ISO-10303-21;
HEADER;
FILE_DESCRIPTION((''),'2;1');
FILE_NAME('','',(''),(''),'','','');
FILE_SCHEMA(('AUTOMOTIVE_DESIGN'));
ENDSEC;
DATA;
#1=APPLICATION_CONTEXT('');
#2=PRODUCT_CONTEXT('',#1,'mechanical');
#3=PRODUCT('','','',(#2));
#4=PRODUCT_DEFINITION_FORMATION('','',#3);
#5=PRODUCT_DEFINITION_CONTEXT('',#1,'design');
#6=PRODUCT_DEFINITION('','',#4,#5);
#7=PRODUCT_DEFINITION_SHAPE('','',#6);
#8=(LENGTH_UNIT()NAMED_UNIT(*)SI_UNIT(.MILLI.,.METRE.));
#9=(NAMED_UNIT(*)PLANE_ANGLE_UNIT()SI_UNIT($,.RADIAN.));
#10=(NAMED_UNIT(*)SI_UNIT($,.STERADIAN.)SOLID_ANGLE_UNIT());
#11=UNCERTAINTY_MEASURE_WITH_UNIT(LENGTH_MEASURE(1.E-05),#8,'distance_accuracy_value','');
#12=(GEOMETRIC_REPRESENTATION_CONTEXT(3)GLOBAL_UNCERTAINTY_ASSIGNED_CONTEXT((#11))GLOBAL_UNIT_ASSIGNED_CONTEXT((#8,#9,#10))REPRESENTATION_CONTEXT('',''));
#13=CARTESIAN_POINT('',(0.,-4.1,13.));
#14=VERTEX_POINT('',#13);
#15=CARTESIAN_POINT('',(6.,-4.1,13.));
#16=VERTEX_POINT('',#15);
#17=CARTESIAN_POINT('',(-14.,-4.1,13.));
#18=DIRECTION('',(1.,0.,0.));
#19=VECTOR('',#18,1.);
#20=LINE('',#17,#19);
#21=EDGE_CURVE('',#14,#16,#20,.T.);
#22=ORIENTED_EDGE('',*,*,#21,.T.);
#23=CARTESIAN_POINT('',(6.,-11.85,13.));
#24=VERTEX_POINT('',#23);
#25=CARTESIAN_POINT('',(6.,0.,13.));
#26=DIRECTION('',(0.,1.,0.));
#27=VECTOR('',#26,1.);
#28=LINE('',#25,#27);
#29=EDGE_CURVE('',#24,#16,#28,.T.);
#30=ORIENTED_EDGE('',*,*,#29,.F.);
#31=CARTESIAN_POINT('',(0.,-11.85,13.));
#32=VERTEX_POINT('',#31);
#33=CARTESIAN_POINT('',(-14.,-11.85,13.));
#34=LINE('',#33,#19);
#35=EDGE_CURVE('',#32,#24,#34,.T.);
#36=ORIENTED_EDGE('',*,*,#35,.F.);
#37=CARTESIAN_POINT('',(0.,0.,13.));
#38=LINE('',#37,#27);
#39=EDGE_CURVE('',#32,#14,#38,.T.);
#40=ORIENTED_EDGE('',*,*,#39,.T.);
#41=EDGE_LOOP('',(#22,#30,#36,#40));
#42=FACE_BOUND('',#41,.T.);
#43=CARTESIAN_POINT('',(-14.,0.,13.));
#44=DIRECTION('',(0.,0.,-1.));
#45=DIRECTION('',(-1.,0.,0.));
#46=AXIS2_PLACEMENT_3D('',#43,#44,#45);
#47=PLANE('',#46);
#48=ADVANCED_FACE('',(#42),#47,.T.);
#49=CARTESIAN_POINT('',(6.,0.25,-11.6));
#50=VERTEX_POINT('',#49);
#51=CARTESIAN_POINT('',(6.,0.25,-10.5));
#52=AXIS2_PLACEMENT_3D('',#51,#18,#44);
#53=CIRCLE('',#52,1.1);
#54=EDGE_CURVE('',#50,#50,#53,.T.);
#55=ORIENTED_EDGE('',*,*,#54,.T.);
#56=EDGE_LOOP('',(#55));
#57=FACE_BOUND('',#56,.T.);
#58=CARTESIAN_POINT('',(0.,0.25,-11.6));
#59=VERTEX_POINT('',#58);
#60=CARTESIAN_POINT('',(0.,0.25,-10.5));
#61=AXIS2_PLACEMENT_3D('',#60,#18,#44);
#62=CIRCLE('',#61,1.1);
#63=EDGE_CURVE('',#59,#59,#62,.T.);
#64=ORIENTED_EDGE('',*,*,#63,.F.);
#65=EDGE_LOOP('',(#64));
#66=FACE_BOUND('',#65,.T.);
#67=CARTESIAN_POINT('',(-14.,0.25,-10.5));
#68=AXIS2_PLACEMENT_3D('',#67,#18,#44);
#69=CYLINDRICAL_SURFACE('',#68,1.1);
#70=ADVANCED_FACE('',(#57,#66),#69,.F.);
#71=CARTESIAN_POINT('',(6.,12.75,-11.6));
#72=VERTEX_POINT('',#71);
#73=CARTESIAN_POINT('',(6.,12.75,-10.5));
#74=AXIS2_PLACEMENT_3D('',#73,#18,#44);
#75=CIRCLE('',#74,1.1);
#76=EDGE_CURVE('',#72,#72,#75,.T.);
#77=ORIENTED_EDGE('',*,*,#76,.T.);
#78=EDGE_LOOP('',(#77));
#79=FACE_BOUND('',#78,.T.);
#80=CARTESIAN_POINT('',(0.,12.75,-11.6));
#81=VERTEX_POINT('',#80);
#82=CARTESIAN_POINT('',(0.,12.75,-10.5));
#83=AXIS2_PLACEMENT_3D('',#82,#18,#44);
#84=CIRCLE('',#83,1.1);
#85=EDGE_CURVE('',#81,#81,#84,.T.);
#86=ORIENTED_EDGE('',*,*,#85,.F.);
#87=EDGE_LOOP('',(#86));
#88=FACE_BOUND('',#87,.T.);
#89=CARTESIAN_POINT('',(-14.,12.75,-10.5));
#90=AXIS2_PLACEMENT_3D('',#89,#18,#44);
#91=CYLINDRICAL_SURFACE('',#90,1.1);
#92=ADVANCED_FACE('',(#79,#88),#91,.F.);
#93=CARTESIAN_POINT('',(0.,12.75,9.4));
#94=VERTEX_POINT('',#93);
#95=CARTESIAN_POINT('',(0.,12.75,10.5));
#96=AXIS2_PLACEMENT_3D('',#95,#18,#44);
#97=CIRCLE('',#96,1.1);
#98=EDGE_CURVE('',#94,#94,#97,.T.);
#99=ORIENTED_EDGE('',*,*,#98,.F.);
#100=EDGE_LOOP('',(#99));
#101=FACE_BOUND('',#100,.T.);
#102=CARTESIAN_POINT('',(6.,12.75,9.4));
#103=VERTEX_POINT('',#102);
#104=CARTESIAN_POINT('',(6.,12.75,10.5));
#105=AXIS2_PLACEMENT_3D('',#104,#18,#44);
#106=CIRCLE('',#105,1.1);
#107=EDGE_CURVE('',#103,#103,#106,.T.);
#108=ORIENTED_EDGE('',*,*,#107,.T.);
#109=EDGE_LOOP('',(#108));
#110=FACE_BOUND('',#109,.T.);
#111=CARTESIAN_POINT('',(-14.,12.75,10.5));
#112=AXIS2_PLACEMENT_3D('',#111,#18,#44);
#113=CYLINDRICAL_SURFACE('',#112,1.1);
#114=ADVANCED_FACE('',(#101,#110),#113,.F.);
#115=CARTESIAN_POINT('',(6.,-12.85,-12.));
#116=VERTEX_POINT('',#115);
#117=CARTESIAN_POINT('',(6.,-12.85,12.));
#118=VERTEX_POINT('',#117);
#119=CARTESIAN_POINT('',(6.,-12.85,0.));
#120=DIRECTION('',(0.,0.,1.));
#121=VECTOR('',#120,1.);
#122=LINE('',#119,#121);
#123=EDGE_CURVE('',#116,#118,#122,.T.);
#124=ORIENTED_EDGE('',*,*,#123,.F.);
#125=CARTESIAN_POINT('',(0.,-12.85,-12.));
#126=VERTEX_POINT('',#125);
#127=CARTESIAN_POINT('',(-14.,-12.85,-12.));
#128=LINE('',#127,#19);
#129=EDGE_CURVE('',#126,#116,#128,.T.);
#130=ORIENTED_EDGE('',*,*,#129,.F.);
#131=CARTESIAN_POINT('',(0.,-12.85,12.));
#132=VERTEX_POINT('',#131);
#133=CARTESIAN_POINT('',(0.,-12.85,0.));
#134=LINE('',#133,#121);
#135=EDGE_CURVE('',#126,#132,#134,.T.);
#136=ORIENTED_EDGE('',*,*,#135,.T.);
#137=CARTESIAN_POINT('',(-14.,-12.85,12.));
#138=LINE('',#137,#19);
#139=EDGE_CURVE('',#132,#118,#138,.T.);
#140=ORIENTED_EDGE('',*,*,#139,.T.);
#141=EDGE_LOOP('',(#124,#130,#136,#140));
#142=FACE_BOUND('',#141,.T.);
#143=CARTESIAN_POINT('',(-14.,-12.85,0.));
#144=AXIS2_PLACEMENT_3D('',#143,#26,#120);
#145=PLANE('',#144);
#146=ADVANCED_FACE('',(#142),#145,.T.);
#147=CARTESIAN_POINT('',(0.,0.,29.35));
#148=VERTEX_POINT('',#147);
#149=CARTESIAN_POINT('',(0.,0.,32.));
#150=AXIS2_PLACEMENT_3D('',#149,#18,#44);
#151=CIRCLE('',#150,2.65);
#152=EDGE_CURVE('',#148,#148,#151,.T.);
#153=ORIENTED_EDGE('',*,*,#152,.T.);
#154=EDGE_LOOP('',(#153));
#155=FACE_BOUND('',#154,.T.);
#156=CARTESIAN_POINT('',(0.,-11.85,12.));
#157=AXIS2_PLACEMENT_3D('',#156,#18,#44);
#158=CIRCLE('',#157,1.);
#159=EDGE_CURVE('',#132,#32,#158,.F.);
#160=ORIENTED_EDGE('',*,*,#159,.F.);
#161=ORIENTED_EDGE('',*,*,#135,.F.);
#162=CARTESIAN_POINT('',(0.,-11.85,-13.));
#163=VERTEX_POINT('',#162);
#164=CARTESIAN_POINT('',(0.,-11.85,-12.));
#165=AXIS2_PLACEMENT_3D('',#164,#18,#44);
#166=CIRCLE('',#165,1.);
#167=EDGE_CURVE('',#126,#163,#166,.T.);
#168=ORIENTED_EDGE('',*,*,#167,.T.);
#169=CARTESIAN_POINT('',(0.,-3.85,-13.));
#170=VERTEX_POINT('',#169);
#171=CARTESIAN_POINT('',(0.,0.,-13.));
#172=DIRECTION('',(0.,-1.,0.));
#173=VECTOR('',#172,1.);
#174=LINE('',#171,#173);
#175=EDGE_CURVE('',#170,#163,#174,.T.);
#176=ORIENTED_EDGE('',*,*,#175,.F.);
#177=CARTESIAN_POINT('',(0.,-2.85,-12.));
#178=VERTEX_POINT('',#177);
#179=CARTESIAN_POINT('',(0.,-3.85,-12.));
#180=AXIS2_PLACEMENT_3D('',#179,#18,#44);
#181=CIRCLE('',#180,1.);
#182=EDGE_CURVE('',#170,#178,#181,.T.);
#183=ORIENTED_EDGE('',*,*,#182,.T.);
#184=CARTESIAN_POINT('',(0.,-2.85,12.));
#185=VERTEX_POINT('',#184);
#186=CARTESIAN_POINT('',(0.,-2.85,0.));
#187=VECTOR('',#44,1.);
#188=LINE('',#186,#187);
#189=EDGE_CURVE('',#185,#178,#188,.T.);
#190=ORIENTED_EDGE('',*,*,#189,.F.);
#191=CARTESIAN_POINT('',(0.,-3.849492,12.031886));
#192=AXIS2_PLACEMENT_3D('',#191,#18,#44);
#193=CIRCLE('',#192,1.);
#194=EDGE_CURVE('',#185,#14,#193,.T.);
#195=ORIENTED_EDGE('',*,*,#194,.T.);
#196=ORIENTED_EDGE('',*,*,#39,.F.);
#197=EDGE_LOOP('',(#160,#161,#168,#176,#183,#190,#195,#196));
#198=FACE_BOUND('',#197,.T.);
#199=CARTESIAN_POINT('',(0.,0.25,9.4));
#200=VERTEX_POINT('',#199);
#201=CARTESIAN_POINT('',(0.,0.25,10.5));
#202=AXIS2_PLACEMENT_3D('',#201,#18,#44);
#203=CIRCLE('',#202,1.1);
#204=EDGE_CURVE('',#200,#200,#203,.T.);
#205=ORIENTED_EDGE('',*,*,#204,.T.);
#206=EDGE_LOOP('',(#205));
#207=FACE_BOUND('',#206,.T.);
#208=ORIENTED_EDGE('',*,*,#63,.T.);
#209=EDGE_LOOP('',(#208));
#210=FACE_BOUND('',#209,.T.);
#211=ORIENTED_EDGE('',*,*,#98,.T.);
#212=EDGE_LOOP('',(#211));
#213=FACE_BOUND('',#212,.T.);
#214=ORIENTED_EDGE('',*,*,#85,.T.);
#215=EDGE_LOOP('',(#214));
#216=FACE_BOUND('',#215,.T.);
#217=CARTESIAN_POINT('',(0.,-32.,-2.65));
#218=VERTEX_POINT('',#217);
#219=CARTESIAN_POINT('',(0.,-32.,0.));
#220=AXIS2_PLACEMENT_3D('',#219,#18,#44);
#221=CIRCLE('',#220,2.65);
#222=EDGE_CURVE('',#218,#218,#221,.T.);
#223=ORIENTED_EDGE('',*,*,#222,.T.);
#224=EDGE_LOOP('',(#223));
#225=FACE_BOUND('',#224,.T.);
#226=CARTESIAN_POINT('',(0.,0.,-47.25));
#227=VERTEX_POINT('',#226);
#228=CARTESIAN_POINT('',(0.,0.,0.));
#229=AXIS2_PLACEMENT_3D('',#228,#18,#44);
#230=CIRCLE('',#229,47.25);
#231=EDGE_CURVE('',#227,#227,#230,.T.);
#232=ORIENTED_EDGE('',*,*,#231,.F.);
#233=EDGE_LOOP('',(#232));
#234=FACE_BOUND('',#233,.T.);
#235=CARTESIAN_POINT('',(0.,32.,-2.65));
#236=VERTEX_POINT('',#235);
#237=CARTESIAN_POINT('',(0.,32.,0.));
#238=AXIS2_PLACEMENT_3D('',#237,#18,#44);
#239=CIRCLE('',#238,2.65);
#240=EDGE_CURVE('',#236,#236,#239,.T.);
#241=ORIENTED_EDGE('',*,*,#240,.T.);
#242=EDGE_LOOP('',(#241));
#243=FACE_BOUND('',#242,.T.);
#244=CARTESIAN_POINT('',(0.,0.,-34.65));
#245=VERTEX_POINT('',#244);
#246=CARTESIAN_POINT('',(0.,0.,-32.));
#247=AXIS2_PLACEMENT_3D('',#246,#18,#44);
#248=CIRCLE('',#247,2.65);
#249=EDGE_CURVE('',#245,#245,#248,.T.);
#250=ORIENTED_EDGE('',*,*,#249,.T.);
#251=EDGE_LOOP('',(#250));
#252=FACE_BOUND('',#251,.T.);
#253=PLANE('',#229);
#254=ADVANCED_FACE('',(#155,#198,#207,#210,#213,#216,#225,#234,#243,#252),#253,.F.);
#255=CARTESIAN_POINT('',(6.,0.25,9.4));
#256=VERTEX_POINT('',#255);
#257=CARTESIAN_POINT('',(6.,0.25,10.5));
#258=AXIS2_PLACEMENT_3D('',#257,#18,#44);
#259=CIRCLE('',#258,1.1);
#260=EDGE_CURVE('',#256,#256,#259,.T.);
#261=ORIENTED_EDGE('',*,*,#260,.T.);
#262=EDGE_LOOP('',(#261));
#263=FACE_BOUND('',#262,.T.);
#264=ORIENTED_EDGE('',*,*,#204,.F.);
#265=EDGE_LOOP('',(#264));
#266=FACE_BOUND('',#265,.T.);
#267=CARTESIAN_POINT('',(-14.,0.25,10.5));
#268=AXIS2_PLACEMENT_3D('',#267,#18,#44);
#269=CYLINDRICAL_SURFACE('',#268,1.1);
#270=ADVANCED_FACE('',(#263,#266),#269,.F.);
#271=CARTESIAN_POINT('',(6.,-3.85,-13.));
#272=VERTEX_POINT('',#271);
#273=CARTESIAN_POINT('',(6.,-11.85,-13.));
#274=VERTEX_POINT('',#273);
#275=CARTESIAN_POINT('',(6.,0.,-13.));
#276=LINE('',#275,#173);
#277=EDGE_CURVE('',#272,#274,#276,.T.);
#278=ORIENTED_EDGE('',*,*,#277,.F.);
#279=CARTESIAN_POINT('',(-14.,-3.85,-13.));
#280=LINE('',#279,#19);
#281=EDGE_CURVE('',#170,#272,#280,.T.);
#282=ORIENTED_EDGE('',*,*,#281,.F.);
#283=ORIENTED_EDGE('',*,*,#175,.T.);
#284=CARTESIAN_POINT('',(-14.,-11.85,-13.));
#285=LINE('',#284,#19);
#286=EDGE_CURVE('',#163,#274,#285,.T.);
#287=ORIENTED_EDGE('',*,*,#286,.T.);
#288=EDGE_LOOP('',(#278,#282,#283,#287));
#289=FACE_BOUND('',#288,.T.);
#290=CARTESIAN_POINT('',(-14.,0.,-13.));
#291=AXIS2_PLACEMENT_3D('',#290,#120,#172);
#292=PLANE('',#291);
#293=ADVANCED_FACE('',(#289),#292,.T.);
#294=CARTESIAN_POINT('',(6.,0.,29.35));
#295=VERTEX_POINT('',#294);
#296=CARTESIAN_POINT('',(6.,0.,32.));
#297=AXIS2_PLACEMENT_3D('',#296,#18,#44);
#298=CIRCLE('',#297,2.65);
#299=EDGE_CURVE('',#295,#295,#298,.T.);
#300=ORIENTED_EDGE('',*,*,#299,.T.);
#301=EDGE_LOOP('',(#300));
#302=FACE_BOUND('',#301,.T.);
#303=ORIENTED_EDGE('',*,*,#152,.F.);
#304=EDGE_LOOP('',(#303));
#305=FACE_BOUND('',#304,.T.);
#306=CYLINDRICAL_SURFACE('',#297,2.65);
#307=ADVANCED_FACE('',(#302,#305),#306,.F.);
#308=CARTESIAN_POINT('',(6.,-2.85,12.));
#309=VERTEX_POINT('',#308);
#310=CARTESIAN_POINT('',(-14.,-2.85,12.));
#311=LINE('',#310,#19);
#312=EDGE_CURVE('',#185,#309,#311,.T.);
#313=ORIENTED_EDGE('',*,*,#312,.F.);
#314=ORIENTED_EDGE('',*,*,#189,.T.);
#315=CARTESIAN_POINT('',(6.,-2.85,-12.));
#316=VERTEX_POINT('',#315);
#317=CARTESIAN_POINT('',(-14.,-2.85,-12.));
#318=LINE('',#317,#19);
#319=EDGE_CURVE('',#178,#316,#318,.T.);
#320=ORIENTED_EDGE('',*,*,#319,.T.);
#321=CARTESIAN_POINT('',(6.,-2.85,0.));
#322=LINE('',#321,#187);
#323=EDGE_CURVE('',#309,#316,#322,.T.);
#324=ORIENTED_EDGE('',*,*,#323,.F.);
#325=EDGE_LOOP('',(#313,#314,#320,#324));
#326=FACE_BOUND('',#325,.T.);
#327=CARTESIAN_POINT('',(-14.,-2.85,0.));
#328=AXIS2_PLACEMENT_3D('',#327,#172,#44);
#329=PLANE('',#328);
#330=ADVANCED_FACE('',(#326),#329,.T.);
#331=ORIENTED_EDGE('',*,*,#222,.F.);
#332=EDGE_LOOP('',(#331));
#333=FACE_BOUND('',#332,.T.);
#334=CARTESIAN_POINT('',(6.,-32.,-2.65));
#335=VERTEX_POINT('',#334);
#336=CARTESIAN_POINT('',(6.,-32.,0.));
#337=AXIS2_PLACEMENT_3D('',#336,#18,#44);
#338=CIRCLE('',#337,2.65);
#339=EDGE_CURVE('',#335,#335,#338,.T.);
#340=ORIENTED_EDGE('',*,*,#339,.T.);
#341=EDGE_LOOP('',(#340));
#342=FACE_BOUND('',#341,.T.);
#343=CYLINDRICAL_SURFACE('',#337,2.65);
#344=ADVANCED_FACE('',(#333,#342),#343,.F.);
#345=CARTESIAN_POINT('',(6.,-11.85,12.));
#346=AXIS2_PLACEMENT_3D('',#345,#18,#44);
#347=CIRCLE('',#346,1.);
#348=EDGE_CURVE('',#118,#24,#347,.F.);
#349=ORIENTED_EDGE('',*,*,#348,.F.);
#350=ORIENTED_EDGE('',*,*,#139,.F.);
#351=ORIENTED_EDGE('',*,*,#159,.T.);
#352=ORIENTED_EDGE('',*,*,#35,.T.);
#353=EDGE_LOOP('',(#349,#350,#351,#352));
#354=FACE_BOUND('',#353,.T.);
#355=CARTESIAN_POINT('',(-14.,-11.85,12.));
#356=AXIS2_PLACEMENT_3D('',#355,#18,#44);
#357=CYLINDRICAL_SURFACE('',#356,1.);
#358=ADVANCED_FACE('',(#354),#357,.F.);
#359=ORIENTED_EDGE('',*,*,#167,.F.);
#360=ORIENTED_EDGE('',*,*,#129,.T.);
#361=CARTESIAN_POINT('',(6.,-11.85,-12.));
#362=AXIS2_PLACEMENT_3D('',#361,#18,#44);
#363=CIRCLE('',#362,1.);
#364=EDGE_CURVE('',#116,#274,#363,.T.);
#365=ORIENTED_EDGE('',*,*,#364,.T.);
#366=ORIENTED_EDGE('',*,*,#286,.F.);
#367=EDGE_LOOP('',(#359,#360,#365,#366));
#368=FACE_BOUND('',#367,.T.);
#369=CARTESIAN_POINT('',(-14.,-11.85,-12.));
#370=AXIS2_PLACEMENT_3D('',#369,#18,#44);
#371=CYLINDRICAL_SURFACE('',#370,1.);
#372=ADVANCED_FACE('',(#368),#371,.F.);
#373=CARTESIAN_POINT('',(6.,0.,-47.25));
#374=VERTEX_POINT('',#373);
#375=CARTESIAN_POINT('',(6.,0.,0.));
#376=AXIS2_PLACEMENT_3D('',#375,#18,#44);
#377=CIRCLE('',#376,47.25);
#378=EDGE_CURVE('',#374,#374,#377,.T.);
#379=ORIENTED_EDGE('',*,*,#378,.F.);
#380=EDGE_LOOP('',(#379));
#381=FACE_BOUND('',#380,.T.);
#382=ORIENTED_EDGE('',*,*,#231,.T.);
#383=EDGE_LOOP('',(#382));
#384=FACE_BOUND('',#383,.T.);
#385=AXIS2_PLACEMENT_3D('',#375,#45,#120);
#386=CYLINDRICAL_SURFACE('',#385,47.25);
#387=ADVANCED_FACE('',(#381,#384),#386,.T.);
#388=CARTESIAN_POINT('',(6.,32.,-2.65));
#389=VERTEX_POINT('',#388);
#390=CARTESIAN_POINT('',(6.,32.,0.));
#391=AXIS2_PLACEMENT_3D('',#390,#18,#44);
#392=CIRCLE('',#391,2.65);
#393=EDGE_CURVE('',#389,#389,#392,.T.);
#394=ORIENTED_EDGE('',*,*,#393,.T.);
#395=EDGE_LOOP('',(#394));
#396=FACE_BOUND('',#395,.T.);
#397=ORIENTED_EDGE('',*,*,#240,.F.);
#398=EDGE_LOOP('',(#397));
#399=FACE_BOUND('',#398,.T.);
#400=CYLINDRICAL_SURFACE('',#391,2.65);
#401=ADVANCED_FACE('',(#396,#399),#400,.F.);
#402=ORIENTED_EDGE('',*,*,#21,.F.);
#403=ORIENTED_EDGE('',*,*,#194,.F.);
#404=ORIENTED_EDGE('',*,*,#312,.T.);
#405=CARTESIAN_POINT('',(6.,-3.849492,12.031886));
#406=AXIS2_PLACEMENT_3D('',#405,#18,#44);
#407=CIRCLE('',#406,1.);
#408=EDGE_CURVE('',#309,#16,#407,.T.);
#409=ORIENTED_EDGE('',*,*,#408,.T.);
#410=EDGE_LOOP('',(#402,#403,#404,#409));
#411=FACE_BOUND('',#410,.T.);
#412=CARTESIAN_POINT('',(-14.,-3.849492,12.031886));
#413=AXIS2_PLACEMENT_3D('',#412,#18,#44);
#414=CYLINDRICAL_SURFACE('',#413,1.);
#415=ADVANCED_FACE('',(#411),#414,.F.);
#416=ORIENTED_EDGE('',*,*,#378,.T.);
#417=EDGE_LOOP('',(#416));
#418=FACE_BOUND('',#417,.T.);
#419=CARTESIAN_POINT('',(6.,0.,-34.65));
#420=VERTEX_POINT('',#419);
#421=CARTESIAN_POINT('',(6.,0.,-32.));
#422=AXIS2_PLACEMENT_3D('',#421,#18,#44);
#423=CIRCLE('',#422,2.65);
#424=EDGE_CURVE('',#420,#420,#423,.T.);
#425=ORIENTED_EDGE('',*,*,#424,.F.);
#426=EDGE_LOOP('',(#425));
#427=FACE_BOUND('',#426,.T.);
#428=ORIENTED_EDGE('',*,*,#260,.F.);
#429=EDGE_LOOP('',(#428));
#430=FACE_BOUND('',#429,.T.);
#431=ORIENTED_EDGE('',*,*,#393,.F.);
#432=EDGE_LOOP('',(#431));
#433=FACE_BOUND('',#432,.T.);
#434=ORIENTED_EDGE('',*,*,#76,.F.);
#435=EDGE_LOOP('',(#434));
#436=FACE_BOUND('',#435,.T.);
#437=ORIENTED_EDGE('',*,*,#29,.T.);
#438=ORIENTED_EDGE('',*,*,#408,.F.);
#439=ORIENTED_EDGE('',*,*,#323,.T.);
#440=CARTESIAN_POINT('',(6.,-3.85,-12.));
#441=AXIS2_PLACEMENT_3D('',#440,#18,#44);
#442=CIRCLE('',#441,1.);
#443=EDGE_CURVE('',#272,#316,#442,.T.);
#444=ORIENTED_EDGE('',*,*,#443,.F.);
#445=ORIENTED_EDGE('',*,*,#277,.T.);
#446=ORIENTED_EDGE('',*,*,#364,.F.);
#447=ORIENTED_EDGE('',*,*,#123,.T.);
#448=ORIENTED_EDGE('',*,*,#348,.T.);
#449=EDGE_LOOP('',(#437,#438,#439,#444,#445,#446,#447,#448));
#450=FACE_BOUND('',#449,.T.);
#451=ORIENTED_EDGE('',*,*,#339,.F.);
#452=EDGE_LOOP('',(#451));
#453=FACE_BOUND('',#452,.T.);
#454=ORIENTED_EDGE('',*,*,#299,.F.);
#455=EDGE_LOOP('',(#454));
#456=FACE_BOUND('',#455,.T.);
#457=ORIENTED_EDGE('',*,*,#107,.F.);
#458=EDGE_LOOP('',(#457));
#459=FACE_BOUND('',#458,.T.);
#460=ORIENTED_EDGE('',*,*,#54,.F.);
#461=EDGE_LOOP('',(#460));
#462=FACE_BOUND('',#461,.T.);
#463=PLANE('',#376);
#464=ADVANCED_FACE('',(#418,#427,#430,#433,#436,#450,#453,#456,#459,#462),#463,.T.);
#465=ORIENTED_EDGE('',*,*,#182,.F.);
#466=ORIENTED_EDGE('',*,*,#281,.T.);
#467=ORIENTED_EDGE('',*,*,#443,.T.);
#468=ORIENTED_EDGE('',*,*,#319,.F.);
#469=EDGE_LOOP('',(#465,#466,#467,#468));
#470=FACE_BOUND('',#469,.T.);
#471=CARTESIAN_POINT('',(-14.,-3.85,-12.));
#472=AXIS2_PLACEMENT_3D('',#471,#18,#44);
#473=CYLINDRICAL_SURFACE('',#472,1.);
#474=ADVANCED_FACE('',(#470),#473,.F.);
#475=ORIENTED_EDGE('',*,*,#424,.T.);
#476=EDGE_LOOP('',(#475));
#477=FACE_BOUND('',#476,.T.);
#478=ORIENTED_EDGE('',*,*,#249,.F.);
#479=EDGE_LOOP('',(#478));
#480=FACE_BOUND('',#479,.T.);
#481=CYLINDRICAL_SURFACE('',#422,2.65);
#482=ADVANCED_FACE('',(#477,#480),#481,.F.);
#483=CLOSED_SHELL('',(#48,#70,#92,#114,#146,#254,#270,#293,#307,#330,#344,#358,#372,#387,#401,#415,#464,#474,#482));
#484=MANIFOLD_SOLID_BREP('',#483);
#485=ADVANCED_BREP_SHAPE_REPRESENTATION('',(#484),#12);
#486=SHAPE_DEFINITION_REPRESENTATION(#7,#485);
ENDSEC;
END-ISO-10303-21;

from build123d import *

# Parameters (mm, degrees)
SKETCH1_R                = 47.25
BOSS_EXTRUDE1_DEPTH      = 6
SKETCH2_R                = 1.1
CUT_EXTRUDE1_DEPTH       = 20
M5_CLEARANCE_HOLE1_D     = 5.3
M5_CLEARANCE_HOLE1_DEPTH = 15
M5_CLEARANCE_HOLE1_TIP   = 1.59228064


with BuildPart() as part:
    # Sketch1 → Boss-Extrude1 (new body)
    with BuildSketch(Plane(origin=(0, 0, 0), x_dir=(0, 0, -1), z_dir=(1, 0, 0))):
        Circle(SKETCH1_R)
    extrude(amount=BOSS_EXTRUDE1_DEPTH)

    # Sketch2 → Cut-Extrude1 (cut)
    with BuildSketch(Plane(origin=(6, 0, 0), x_dir=(0, 0, -1), z_dir=(1, 0, 0))):
        with BuildLine():
            Line((12, -2.85), (-12, -2.85))
            ThreePointArc((-12, -2.85), (-12.812754403, -3.224796478), (-13, -4.1))
            Line((-13, -4.1), (-13, -11.85))
            ThreePointArc((-13, -11.85), (-12.707106781, -12.557106781), (-12, -12.85))
            Line((-12, -12.85), (12, -12.85))
            ThreePointArc((12, -12.85), (12.707106781, -12.557106781), (13, -11.85))
            Line((13, -11.85), (13, -3.85))
            ThreePointArc((13, -3.85), (12.707106781, -3.142893219), (12, -2.85))
        make_face()
        with Locations((-10.5, 12.75)):
            Circle(SKETCH2_R)
        with Locations((10.5, 12.75)):
            Circle(SKETCH2_R)
        with Locations((10.5, 0.25)):
            Circle(SKETCH2_R)
        with Locations((-10.5, 0.25)):
            Circle(SKETCH2_R)
    extrude(amount=-CUT_EXTRUDE1_DEPTH, mode=Mode.SUBTRACT)

    # M5 Clearance Hole1
    with Locations(Plane(origin=(6, 0, 0), x_dir=(0, 0, -1), z_dir=(1, 0, 0))):
        with Locations((-32, 0), (0, 32), (32, 0), (0, -32)):
            Hole(M5_CLEARANCE_HOLE1_D / 2, depth=M5_CLEARANCE_HOLE1_DEPTH)
            with Locations((0, 0, -(M5_CLEARANCE_HOLE1_DEPTH + M5_CLEARANCE_HOLE1_TIP / 2))):  # 118° drill point
                Cone(0, M5_CLEARANCE_HOLE1_D / 2, M5_CLEARANCE_HOLE1_TIP, mode=Mode.SUBTRACT)


solid = part.part
